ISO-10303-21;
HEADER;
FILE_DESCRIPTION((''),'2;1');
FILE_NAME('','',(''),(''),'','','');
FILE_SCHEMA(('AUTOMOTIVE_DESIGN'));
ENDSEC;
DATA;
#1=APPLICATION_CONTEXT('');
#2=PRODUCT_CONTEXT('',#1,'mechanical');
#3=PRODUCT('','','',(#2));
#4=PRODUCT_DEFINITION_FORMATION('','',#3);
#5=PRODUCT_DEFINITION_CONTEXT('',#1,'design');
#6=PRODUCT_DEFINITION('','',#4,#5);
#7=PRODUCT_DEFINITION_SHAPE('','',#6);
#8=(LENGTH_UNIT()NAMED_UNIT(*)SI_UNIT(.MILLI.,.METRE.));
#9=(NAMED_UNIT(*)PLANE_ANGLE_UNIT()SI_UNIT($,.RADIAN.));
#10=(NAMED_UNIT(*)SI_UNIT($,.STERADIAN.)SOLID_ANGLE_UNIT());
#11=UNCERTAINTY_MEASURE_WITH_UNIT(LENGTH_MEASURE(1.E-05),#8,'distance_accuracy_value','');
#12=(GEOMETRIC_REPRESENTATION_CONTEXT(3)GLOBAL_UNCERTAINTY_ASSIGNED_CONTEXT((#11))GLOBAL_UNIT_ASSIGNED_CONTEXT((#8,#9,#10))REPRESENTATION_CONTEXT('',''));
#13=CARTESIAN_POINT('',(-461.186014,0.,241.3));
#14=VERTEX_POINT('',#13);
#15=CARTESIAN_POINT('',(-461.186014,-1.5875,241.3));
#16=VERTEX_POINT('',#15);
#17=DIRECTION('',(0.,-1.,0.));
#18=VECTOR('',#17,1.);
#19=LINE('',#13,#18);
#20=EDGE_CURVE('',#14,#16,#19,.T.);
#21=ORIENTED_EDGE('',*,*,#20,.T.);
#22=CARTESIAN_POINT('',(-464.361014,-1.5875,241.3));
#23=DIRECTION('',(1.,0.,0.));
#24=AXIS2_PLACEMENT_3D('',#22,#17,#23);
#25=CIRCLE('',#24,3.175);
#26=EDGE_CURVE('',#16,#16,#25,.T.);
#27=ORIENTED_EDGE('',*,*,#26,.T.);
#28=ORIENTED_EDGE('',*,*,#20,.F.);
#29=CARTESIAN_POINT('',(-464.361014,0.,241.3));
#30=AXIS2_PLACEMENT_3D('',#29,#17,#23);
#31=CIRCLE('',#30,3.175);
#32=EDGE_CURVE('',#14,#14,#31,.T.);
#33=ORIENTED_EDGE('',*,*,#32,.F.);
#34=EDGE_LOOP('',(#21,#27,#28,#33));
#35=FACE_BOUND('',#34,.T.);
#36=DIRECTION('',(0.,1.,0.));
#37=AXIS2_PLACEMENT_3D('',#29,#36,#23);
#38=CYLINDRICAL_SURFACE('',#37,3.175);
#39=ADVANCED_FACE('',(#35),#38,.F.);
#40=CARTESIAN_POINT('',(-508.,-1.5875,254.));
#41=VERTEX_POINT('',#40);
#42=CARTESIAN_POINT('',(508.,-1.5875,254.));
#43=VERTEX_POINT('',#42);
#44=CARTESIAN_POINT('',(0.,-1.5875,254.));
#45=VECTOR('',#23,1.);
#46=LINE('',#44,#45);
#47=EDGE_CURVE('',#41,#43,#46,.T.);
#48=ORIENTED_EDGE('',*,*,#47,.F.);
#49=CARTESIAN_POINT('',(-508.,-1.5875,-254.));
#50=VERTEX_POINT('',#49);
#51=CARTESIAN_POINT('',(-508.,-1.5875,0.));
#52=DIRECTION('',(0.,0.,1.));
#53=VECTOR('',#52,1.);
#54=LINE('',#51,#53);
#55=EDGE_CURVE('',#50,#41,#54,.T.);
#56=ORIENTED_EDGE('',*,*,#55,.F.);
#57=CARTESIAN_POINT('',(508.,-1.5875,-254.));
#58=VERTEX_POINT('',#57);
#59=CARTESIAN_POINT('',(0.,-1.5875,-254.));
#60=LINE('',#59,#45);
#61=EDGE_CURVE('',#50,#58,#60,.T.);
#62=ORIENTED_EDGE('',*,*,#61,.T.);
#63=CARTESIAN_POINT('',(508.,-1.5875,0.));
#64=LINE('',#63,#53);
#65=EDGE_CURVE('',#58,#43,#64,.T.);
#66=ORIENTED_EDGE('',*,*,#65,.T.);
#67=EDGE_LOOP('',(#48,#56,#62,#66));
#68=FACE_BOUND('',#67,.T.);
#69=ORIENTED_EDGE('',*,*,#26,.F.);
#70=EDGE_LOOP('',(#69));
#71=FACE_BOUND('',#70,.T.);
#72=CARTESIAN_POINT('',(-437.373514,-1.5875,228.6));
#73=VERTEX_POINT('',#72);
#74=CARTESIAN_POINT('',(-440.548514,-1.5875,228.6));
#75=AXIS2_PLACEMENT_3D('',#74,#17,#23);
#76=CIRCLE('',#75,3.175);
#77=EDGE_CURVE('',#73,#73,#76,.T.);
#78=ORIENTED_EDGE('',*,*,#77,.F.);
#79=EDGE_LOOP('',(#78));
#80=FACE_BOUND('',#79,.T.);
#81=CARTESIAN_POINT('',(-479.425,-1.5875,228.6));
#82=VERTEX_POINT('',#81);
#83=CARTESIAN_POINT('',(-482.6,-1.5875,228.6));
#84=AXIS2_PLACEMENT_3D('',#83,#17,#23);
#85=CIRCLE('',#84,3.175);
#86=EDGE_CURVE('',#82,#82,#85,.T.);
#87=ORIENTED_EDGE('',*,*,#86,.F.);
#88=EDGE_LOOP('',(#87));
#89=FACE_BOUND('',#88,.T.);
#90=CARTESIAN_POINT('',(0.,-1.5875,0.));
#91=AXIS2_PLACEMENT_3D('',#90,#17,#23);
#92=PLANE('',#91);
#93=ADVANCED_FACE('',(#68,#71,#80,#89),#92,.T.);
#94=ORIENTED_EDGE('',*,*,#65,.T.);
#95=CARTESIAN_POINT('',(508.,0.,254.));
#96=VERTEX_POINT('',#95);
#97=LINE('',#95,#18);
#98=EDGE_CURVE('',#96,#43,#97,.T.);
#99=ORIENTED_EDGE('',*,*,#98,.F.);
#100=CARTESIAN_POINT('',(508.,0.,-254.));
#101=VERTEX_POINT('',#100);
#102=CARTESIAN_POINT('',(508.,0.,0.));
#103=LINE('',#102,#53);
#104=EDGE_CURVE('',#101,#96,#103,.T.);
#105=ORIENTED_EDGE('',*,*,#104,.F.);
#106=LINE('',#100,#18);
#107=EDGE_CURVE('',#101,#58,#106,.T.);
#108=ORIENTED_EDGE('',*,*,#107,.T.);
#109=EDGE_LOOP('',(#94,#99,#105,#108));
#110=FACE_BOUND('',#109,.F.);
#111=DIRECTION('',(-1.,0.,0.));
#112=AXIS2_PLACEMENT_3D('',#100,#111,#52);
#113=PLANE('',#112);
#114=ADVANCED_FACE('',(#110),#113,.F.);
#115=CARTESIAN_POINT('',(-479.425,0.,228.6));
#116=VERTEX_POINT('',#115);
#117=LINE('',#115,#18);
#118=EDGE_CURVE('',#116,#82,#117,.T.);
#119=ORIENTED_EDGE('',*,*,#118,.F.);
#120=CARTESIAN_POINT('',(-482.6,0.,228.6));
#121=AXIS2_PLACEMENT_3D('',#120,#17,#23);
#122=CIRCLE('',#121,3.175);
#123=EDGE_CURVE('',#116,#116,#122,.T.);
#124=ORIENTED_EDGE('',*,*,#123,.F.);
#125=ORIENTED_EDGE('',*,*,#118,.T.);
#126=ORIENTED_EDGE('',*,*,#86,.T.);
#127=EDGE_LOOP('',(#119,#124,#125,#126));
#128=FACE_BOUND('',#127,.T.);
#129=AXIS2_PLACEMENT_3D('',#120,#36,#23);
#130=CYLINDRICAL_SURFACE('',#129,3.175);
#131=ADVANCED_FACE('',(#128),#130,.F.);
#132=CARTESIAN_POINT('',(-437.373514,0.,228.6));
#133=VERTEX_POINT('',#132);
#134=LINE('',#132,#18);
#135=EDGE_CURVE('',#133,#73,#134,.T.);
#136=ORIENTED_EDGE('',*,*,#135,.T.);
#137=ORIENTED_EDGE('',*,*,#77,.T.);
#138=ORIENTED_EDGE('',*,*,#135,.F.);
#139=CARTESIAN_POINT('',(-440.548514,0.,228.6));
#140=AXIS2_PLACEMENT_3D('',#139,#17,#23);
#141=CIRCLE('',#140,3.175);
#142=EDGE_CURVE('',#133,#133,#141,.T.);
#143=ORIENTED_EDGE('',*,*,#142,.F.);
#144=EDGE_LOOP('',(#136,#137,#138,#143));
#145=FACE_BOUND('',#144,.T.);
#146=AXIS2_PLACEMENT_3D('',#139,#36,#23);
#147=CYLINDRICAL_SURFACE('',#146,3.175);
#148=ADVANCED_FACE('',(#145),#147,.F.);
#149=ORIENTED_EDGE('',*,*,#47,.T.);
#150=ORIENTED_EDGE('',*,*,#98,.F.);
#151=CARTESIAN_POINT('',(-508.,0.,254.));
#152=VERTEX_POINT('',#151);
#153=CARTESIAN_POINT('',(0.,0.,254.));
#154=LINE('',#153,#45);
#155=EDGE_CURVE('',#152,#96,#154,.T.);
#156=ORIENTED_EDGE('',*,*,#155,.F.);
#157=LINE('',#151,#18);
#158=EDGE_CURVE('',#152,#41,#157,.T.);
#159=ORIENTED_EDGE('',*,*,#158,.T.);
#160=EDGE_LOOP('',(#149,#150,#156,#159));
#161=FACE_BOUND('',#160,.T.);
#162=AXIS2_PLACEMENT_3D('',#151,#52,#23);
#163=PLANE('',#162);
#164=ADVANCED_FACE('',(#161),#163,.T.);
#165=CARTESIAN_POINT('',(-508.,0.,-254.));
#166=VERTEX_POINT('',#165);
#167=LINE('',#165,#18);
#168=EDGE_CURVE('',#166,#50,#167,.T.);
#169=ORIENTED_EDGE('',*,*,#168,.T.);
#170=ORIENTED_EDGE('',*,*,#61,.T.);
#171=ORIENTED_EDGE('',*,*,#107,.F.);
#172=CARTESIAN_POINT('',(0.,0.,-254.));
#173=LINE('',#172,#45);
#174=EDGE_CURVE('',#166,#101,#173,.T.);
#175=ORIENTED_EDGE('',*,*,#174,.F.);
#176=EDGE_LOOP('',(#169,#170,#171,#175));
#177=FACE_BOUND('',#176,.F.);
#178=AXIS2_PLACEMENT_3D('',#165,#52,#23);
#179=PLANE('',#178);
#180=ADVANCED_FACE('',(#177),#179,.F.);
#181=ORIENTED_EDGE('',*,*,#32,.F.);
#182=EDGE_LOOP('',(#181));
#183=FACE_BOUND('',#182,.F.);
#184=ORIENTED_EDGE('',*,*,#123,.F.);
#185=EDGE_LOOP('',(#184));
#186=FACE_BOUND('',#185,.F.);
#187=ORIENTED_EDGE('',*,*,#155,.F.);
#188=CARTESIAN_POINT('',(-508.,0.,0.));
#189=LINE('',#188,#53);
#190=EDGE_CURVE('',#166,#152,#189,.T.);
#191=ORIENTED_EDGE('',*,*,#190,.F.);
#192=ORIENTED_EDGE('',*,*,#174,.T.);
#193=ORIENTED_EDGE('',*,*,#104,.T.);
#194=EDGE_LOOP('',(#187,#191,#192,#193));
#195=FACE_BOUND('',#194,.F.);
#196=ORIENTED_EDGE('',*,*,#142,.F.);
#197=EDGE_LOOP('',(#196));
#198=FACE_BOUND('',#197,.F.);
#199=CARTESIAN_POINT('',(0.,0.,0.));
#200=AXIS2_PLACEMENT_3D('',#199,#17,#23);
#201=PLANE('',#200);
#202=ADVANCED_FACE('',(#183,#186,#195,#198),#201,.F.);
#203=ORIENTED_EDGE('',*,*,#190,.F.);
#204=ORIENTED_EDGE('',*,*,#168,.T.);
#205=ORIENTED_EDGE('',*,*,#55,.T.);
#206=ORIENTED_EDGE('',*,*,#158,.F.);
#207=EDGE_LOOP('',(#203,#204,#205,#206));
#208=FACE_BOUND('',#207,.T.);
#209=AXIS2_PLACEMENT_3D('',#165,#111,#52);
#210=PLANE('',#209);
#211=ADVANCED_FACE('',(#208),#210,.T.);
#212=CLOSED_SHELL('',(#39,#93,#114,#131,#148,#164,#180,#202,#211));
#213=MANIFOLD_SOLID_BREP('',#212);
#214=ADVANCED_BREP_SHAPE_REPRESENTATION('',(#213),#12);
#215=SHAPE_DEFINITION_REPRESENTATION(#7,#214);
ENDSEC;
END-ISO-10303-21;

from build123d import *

# Parameters (mm, degrees)
F0_W     = 1016
F0_H     = 508
F0_R     = 3.175
F1_DEPTH = 1.5875


with BuildPart() as f1:
    # F0 (on Front) → F1 (new body)
    with BuildSketch(Plane.XZ):
        Rectangle(F0_W, F0_H)
        with Locations((-482.6, 228.6)):
            Circle(F0_R, mode=Mode.SUBTRACT)
        with Locations((-464.361014, 241.3)):
            Circle(F0_R, mode=Mode.SUBTRACT)
        with Locations((-440.548514, 228.6)):
            Circle(F0_R, mode=Mode.SUBTRACT)
    extrude(amount=F1_DEPTH)


solid = f1.part
